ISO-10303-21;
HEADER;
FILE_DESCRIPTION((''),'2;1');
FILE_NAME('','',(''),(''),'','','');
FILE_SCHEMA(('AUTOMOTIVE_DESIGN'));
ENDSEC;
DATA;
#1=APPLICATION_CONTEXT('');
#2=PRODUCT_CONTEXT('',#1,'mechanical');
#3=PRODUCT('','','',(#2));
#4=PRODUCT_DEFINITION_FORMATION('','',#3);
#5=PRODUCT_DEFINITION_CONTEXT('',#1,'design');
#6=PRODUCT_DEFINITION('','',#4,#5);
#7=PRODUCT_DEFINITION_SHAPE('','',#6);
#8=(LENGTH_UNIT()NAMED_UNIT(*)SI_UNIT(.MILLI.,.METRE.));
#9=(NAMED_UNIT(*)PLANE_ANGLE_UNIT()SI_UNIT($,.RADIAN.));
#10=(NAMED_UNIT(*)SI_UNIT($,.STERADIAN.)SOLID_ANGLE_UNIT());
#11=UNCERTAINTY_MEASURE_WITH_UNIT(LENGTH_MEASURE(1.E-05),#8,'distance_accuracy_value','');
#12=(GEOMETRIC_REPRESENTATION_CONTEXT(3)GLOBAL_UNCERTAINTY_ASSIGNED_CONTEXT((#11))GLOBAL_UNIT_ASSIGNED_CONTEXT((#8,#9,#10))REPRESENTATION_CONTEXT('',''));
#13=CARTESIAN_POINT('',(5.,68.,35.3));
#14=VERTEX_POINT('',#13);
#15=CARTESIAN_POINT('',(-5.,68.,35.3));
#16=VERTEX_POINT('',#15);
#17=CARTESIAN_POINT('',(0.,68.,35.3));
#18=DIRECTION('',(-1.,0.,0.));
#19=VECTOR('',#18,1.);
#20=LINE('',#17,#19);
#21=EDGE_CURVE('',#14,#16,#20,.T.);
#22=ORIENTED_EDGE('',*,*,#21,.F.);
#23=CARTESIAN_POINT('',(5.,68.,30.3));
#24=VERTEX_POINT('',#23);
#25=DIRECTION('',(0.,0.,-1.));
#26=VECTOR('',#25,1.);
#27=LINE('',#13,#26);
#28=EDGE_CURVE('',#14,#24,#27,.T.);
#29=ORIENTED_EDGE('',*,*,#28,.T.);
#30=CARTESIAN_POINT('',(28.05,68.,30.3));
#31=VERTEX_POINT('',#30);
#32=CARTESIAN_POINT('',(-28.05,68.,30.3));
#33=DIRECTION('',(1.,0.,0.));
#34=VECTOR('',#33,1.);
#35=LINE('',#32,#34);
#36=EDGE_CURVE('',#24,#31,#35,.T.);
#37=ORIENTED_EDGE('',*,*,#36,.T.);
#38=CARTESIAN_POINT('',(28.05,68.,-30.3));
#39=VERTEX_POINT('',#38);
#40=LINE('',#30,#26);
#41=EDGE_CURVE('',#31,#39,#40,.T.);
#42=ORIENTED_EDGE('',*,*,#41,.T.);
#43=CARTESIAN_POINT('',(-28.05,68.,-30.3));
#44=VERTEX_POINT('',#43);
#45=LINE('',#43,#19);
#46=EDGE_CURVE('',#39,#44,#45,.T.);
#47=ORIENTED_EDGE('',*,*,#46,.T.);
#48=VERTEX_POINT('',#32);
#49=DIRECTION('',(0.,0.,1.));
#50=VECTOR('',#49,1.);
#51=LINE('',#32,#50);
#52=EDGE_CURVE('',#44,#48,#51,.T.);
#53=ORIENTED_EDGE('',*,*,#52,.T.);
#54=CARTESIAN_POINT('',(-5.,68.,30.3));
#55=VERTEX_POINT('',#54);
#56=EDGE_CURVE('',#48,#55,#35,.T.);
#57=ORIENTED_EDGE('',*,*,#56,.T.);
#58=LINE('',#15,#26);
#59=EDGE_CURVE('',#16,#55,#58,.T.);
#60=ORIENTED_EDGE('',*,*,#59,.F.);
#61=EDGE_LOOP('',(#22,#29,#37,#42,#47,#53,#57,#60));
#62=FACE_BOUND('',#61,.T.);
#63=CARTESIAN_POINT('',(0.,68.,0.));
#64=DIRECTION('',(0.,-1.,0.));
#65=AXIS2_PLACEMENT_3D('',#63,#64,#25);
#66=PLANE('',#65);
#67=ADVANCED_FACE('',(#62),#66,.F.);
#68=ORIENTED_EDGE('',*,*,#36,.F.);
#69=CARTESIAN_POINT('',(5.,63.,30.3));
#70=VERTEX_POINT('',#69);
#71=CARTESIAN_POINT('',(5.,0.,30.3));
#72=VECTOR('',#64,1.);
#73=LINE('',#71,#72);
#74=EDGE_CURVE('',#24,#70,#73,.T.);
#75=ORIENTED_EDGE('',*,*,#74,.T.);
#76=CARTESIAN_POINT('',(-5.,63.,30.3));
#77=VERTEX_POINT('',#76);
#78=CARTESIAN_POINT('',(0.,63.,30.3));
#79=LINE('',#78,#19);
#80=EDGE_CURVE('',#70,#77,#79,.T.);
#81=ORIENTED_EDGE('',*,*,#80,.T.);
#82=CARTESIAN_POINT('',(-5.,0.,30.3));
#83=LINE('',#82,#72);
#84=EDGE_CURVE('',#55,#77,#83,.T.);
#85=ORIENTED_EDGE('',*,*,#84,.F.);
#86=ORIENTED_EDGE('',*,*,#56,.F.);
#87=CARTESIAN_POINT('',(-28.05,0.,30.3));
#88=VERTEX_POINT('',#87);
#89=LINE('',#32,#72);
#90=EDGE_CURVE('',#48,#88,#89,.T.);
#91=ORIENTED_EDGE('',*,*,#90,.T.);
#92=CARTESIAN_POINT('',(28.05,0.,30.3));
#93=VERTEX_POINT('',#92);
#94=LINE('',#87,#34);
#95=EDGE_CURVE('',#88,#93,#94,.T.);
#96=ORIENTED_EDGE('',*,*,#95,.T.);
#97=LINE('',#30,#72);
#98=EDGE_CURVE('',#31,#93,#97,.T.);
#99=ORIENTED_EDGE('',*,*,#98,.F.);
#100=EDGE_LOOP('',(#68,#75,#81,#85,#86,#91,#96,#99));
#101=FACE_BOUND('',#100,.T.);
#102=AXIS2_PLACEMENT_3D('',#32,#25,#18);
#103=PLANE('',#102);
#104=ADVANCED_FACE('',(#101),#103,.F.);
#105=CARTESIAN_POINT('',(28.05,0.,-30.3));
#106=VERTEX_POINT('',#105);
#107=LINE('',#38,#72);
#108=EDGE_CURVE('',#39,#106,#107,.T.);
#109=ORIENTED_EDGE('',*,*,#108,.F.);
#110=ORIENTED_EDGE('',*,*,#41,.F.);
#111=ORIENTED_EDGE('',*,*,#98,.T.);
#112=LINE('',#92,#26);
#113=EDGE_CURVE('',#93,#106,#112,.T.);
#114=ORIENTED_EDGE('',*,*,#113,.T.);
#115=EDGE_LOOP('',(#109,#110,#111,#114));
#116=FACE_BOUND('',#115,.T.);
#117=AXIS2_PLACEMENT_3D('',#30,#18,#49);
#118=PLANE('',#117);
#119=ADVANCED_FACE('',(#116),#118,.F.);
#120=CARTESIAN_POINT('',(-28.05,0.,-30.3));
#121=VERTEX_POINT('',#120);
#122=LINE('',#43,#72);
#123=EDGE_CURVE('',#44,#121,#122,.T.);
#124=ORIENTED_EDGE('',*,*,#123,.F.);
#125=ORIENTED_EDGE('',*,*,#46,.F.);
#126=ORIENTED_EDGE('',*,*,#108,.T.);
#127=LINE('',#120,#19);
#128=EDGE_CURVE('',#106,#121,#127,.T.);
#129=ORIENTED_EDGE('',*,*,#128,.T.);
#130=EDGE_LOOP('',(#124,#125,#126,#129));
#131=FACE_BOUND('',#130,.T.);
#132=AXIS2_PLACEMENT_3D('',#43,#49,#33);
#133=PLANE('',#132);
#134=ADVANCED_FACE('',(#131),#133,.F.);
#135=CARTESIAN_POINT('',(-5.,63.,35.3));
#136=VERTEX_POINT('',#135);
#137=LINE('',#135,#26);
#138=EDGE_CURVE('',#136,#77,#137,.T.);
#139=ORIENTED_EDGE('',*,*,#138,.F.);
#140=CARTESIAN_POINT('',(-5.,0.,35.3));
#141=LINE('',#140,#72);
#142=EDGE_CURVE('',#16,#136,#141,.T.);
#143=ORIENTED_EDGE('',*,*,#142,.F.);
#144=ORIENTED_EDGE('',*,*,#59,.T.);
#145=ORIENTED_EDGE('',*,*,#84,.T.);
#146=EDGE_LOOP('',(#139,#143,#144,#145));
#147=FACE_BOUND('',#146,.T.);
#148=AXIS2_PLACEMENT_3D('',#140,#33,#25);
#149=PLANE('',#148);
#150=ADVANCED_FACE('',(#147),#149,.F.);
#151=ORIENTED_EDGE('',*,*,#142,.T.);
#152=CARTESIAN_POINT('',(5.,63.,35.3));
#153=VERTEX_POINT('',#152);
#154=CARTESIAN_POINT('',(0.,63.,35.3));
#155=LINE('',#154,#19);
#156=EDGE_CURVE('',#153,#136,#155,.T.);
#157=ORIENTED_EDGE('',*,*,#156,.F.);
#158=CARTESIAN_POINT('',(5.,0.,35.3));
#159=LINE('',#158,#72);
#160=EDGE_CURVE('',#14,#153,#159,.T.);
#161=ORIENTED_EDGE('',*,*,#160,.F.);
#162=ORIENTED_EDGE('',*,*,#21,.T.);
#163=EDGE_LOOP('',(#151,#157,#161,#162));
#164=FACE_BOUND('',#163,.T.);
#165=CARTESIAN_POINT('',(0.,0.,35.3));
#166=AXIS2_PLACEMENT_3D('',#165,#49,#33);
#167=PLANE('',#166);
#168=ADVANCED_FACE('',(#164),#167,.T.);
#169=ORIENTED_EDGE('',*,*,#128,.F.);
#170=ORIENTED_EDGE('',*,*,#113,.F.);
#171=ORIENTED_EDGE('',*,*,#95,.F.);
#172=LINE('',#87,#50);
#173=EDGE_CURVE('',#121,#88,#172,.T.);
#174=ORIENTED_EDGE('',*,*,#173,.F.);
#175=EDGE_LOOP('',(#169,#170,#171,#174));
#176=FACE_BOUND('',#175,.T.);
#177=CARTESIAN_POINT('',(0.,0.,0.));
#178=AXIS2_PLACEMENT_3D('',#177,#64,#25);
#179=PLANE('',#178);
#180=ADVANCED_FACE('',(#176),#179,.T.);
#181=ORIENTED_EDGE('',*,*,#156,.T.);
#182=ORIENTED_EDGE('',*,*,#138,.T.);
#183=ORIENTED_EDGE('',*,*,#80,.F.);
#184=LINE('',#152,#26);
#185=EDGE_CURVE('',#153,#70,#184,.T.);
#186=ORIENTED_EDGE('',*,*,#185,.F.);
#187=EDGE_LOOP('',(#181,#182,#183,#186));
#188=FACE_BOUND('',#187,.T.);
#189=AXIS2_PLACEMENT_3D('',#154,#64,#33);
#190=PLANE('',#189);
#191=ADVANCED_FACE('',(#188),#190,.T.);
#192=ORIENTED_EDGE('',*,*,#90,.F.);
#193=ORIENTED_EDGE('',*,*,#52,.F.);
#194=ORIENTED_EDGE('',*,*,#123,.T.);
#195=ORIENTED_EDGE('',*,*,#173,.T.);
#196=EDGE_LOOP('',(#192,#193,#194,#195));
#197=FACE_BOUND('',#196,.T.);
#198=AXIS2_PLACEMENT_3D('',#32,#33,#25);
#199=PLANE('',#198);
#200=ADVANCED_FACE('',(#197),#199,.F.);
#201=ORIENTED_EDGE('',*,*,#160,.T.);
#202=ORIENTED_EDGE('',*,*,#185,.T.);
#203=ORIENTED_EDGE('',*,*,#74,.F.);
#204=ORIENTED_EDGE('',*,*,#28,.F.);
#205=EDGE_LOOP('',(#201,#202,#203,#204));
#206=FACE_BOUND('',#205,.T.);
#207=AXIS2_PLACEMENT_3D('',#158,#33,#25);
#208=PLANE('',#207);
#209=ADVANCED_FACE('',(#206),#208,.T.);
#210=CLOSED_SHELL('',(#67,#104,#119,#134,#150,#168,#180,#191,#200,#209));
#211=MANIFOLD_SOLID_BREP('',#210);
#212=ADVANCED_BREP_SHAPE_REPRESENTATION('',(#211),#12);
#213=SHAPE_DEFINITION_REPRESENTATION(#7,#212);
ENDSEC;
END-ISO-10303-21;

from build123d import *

# Parameters (mm, degrees)
SKETCH_1_W      = 56.1
SKETCH_1_H      = 60.6
EXTRUDE_1_DEPTH = 68
SKETCH_2_W      = 5
SKETCH_2_H      = 5
EXTRUDE_2_DEPTH = 5


with BuildPart() as part:
    # 草图1 → 凸台-拉伸1 (new body)
    with BuildSketch(Plane(origin=(0, 0, 0), x_dir=(1, 0, 0), z_dir=(0, 1, 0))):
        Rectangle(SKETCH_1_W, SKETCH_1_H)
    extrude(amount=EXTRUDE_1_DEPTH)

    # 草图2 → 凸台-拉伸2 (add)
    with BuildSketch(Plane.XY.offset(30.3)):
        with Locations((-2.5, 65.5)):
            Rectangle(SKETCH_2_W, SKETCH_2_H)
        with Locations((2.5, 65.5)):
            Rectangle(SKETCH_2_W, SKETCH_2_H)
    extrude(amount=EXTRUDE_2_DEPTH)


solid = part.part
